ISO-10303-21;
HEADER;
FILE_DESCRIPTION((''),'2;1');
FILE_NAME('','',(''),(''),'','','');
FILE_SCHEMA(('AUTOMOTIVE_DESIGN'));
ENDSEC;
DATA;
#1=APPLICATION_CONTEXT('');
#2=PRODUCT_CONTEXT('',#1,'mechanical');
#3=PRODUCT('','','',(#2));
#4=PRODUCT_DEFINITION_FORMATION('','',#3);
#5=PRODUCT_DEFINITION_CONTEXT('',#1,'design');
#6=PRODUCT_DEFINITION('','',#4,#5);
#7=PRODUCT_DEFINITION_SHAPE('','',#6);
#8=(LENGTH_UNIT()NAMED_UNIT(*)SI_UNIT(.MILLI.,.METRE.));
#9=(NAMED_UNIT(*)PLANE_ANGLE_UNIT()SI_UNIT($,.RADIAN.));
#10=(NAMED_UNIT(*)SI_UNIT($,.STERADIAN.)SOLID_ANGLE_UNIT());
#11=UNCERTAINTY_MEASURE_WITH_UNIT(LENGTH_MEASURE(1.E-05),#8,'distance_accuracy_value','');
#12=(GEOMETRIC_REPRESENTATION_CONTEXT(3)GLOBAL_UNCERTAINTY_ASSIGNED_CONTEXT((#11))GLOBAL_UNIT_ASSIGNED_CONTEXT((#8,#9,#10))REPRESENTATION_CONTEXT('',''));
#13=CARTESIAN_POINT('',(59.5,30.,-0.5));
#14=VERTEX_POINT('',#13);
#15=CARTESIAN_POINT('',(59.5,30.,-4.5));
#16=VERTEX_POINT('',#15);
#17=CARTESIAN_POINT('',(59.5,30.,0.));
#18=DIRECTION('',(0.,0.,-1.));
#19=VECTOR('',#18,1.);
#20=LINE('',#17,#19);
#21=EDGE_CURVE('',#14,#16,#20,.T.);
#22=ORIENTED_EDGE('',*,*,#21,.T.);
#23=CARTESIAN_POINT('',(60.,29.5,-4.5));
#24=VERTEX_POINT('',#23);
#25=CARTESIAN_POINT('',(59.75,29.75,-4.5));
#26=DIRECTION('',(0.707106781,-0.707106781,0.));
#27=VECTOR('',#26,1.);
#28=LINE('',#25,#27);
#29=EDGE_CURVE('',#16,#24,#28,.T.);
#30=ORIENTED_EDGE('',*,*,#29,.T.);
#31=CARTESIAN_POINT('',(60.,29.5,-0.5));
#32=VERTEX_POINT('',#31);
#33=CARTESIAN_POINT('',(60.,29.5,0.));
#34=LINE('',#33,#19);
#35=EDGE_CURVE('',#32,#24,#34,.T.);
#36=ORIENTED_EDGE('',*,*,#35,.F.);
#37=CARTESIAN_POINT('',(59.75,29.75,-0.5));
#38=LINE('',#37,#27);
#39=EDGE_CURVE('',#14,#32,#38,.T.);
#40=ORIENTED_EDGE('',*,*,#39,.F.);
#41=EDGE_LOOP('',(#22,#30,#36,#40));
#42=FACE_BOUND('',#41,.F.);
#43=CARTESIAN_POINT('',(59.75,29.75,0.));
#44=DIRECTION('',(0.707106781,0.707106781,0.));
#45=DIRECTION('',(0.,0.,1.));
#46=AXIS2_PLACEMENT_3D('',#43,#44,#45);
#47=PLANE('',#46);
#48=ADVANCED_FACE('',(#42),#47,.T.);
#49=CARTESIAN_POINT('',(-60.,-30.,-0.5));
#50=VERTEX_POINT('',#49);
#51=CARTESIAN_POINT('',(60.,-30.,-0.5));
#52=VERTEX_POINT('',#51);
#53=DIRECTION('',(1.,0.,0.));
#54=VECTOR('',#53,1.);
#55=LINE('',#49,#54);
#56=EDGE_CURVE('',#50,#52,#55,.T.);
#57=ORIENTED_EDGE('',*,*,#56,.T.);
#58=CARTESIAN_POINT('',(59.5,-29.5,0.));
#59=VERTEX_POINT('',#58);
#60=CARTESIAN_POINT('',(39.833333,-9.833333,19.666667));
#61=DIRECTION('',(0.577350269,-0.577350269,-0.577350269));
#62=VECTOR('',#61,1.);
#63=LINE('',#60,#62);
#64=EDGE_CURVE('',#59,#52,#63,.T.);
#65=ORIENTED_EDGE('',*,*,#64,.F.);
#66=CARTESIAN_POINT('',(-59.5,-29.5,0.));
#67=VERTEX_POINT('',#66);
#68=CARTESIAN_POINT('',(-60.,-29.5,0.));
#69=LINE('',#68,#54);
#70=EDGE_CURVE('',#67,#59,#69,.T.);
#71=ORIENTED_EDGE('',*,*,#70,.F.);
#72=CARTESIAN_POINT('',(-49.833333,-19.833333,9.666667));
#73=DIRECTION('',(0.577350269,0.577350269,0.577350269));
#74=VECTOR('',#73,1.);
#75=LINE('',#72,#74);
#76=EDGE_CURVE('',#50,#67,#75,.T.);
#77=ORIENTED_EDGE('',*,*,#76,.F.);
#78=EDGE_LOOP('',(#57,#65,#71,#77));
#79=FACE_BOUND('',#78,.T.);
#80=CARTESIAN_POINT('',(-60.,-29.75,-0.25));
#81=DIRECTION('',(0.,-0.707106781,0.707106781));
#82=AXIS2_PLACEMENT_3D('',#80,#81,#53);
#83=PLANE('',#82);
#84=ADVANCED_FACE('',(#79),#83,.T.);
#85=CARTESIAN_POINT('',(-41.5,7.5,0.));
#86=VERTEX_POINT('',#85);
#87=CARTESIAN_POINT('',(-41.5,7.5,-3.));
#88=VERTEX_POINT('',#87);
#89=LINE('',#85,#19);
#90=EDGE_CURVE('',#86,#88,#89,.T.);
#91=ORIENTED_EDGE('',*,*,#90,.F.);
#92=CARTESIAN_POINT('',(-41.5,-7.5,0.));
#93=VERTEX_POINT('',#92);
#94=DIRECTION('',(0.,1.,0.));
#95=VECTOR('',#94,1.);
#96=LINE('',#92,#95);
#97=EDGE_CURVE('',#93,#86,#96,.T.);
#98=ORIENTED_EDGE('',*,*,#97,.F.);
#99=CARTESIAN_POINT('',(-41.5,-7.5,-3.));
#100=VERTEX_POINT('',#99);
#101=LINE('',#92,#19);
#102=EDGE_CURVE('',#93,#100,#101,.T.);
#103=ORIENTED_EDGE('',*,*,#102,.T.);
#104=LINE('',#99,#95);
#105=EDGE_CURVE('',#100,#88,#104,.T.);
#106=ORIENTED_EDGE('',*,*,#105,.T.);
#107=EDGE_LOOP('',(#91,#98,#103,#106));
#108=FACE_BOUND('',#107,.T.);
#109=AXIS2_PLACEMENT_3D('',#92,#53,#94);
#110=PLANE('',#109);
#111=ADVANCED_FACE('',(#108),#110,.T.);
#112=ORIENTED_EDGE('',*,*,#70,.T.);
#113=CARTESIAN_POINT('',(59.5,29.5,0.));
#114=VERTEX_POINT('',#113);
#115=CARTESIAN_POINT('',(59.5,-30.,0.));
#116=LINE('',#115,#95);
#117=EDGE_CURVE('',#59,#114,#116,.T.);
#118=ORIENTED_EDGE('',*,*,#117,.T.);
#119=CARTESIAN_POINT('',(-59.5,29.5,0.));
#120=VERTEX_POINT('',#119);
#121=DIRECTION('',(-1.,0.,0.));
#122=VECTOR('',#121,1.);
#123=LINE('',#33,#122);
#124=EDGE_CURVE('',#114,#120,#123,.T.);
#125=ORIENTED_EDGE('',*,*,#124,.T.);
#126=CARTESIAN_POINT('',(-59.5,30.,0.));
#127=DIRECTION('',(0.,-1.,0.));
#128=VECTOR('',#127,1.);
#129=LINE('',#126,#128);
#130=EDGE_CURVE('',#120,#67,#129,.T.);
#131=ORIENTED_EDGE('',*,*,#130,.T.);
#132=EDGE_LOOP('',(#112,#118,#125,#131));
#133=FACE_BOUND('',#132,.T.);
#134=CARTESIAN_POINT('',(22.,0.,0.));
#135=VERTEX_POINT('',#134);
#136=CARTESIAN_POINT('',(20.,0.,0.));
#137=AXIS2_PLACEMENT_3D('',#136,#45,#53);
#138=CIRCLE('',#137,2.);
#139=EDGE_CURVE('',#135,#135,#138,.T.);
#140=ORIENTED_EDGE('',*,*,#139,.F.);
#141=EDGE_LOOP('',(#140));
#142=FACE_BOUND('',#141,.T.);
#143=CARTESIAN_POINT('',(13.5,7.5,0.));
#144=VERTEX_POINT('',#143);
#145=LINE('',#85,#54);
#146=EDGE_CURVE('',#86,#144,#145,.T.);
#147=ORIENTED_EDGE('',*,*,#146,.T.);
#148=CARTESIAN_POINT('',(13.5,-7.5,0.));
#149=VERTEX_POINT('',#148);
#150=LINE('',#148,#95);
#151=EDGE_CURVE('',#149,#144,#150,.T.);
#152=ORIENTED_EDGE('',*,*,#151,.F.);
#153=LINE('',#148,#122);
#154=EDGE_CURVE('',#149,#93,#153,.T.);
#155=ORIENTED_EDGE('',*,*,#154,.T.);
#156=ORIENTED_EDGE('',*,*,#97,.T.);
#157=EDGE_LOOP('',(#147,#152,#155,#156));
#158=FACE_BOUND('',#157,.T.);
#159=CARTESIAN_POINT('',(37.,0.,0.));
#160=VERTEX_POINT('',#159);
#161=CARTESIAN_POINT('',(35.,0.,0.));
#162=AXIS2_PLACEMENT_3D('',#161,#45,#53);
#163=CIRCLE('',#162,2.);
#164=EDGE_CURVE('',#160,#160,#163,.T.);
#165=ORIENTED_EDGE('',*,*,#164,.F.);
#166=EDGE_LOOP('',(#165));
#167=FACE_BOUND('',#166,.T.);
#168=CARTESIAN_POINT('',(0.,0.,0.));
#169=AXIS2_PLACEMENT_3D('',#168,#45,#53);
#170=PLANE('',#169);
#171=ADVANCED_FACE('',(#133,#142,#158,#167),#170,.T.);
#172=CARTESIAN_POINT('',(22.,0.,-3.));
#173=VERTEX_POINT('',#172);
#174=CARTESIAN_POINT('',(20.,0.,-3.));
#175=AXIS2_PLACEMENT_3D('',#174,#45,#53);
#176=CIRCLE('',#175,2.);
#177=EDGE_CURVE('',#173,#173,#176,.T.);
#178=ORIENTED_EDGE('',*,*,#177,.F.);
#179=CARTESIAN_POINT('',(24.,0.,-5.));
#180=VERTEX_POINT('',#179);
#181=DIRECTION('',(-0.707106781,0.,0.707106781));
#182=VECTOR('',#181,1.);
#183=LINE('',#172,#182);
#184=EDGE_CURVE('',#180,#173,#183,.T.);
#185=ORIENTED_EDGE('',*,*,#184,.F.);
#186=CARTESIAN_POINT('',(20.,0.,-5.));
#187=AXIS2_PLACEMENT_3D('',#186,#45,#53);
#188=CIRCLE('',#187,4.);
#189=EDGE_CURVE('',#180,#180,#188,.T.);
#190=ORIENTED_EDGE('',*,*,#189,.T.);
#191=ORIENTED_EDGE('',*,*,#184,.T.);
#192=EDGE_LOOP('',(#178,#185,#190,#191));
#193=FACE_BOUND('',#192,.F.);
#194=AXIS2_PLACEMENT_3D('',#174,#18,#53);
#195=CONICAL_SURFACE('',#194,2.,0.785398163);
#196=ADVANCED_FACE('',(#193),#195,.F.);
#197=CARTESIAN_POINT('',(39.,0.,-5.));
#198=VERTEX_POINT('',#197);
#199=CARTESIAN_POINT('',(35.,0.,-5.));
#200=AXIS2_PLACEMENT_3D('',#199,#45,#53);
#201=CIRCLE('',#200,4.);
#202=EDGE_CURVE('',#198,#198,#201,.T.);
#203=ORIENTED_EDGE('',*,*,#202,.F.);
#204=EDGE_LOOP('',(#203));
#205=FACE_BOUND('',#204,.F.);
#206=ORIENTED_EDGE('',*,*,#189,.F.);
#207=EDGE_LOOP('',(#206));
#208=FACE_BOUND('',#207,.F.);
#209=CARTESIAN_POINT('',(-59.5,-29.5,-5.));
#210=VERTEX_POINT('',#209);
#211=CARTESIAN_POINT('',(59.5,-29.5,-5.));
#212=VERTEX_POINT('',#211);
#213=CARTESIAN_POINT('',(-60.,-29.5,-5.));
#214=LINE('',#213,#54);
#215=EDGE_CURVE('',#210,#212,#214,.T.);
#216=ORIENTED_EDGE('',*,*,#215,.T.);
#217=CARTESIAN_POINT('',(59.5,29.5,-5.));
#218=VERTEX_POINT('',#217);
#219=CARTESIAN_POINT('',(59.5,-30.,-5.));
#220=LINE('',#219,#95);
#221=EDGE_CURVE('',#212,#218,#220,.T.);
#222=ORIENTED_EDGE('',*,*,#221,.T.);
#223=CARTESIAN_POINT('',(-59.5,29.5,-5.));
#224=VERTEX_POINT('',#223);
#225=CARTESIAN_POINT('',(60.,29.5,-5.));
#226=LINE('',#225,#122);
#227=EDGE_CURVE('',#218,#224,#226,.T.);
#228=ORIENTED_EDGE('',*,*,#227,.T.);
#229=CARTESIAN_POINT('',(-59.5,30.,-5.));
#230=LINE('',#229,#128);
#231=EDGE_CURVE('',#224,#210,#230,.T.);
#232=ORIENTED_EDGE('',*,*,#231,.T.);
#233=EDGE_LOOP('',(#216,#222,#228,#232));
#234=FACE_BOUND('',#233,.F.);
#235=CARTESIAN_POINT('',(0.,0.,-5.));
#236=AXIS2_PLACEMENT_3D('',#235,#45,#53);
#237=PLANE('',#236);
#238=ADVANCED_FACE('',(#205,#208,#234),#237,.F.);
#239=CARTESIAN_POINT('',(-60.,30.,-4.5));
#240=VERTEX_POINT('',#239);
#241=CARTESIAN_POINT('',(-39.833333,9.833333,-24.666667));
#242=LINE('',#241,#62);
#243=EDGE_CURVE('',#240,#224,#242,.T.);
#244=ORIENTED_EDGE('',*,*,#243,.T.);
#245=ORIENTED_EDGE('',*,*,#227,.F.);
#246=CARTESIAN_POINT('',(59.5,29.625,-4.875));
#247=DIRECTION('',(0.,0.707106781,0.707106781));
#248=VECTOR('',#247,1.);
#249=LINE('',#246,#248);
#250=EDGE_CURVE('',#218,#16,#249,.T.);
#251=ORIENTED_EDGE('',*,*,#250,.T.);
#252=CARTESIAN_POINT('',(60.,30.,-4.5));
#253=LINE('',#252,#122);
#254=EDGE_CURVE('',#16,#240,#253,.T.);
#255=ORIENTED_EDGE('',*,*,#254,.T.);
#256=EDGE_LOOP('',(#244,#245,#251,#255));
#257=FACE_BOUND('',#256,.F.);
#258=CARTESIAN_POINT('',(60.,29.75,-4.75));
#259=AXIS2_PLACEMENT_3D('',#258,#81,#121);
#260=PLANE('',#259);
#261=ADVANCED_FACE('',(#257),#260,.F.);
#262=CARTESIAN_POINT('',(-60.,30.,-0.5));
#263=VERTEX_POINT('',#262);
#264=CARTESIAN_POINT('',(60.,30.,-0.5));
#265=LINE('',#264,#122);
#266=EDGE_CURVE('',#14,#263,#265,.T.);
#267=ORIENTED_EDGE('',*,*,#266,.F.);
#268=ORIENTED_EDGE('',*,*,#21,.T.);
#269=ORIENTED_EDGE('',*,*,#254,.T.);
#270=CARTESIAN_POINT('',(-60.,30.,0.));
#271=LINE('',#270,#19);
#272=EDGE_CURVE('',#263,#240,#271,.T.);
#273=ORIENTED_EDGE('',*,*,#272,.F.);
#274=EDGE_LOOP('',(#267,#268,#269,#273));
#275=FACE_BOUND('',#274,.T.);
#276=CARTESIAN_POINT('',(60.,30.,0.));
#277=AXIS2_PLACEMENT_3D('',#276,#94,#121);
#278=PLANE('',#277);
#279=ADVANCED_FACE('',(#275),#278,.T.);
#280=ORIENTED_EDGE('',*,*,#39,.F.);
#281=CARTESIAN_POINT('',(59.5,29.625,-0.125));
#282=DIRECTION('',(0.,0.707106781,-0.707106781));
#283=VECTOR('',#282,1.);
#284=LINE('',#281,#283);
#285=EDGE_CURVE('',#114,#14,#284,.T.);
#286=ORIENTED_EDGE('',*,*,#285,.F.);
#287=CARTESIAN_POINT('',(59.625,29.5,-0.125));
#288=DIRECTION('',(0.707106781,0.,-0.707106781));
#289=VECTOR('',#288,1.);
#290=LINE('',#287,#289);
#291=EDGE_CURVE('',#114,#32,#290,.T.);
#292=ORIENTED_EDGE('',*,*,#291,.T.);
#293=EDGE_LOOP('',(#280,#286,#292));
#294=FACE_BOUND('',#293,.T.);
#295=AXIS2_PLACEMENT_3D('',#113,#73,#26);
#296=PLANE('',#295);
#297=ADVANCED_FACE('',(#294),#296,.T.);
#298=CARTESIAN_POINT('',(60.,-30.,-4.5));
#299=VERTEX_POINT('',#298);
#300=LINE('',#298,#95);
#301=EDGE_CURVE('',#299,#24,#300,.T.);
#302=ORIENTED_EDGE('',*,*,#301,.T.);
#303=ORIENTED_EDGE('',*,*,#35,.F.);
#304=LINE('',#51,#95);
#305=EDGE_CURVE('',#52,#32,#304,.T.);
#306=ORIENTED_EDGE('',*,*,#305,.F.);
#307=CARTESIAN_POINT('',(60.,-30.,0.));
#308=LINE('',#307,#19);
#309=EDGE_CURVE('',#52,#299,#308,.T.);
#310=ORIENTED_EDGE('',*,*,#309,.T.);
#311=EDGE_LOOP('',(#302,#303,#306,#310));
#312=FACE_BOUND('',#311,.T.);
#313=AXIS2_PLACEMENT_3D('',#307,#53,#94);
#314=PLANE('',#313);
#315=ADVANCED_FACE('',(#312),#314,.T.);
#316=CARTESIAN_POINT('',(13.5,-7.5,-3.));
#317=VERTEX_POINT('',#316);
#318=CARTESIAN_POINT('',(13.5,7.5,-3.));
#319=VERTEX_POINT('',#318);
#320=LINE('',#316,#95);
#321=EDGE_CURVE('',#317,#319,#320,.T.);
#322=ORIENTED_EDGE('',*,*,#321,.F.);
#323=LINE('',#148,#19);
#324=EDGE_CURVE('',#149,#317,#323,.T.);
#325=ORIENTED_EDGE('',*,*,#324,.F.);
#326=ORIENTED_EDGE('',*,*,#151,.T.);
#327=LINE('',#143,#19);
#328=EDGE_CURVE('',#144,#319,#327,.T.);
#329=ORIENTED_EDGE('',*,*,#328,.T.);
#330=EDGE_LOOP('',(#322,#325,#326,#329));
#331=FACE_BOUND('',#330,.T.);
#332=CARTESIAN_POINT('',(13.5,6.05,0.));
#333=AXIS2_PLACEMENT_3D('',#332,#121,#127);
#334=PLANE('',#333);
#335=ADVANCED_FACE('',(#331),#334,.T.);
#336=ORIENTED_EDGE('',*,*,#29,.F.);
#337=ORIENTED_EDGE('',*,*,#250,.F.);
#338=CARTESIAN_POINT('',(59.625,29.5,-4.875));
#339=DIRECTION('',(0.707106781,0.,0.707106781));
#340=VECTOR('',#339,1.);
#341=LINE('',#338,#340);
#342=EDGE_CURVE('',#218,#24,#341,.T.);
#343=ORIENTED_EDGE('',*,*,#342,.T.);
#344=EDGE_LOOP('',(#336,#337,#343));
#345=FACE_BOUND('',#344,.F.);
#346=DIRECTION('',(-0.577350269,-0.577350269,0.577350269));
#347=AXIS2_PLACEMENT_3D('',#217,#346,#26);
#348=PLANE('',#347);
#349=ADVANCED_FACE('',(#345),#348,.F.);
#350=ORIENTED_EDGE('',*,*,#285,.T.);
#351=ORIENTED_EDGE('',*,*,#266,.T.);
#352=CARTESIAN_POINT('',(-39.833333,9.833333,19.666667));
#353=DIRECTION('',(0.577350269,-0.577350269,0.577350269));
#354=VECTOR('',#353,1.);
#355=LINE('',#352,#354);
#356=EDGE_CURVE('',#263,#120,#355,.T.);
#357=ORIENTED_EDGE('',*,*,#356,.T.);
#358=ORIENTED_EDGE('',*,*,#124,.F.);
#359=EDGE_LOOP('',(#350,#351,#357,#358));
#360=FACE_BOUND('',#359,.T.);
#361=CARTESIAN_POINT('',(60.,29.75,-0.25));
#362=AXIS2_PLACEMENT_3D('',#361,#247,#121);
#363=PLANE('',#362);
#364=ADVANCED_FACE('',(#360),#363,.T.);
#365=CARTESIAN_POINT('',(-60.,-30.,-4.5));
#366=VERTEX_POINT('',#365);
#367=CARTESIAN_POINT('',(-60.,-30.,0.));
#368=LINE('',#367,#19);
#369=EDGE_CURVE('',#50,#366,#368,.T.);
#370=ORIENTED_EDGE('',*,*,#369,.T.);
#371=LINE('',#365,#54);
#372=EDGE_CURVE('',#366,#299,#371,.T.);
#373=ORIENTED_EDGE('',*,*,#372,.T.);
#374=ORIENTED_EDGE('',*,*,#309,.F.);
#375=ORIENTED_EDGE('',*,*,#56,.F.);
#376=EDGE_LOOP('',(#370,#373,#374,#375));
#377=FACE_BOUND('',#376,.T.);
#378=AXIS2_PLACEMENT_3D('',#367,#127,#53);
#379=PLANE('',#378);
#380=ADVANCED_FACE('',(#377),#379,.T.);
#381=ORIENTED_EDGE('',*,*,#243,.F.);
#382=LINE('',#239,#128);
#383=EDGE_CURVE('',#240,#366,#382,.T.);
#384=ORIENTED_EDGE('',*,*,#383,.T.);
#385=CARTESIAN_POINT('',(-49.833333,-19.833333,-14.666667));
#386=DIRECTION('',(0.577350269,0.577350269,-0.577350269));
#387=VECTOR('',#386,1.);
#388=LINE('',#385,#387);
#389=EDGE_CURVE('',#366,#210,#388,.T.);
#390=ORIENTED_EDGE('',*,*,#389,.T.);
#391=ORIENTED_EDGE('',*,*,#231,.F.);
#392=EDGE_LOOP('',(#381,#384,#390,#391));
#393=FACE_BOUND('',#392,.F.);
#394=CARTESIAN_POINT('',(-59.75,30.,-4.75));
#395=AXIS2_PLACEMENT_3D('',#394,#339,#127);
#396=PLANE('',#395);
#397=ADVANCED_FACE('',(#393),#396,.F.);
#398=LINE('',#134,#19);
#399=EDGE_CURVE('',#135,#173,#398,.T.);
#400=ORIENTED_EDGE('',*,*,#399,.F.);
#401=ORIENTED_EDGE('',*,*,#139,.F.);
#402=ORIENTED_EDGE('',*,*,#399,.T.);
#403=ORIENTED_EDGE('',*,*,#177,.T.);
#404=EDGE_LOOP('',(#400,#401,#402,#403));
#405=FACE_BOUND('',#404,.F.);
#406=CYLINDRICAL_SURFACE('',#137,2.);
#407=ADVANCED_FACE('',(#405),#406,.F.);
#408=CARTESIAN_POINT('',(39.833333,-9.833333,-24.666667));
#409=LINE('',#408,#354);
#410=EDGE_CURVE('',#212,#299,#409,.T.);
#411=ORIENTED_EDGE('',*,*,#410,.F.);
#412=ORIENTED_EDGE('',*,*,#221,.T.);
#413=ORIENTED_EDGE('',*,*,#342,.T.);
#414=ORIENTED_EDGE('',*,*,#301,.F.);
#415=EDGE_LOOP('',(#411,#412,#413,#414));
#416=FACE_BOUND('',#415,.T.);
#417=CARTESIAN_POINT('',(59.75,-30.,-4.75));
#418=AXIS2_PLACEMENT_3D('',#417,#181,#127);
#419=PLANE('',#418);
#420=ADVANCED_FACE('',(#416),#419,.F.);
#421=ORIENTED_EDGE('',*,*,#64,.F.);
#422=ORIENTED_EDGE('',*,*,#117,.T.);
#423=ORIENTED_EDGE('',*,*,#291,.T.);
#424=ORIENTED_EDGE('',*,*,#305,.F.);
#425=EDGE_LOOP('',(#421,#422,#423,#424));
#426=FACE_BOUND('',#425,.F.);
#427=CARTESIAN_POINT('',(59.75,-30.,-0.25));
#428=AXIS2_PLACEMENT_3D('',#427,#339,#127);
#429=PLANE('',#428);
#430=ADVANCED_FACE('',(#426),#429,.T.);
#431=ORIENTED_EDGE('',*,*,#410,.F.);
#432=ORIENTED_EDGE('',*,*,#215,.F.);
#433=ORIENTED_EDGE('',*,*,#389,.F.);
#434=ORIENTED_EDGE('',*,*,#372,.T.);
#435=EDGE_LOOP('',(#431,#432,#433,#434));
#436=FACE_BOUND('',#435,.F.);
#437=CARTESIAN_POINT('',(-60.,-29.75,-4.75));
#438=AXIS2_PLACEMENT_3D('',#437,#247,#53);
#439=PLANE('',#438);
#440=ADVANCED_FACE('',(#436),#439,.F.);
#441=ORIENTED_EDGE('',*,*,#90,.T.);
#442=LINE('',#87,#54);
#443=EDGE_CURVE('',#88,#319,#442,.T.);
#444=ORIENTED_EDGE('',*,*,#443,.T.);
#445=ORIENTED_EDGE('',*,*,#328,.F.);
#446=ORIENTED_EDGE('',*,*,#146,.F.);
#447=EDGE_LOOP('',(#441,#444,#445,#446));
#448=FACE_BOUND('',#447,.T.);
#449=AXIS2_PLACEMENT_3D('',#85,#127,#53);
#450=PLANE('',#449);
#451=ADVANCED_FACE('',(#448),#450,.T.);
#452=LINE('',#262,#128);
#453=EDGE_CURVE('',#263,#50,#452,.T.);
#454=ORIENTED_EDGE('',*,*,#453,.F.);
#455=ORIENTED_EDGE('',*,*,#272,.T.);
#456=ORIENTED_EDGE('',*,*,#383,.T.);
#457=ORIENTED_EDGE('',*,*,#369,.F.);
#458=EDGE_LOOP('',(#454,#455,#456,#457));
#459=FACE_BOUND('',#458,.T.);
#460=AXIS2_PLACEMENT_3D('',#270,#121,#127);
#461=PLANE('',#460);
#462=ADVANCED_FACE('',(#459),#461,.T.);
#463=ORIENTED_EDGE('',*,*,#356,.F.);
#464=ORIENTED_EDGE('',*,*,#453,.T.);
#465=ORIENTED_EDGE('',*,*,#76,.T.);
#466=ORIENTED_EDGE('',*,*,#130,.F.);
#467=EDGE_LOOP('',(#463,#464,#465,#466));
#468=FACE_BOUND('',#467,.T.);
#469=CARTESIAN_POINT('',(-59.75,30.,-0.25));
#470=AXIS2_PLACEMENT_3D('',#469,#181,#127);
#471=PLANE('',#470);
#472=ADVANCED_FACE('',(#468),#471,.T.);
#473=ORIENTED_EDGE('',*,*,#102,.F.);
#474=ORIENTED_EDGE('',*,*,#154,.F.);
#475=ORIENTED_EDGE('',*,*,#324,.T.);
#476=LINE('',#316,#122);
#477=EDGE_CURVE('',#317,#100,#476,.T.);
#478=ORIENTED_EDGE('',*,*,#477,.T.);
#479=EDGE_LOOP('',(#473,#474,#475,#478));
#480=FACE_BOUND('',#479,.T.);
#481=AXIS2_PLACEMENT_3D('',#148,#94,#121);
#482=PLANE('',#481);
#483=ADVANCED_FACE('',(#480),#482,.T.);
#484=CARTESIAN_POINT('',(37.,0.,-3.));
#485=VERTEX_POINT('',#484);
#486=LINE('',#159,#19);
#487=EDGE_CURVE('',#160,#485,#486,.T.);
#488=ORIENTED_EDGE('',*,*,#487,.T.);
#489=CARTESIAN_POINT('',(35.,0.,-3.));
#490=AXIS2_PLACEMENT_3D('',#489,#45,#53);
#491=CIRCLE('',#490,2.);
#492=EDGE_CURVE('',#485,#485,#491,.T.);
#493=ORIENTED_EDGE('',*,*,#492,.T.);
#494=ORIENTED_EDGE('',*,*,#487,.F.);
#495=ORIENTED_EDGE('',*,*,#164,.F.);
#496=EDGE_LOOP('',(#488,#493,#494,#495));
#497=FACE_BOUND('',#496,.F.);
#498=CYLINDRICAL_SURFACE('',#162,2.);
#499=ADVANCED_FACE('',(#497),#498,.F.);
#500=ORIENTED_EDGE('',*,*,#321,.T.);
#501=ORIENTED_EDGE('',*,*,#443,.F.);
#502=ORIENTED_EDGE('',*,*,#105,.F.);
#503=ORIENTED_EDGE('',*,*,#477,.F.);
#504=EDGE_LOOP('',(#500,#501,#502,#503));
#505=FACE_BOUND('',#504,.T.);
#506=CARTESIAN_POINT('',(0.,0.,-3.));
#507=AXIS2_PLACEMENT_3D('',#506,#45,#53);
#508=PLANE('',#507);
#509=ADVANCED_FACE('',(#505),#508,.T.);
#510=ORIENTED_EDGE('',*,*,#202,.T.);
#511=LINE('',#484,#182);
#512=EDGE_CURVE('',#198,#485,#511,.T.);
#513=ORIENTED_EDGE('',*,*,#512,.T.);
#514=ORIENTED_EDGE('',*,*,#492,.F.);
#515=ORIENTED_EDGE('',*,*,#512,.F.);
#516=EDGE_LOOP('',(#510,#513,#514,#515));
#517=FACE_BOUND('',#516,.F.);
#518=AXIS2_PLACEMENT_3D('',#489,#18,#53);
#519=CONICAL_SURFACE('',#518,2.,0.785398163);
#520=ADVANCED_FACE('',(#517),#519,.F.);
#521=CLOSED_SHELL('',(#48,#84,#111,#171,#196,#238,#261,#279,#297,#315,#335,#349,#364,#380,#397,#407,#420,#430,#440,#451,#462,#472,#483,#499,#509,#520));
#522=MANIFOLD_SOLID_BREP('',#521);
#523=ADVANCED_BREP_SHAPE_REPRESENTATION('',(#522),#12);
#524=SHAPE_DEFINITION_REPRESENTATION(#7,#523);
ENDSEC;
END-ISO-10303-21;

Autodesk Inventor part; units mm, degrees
ref_plane "YZ Plane" through (0, 0, 0) normal (1, 0, 0) x (0, 1, 0)
ref_plane "XZ Plane" through (0, 0, 0) normal (0, 1, 0) x (-1, 0, 0)
ref_plane "XY Plane" through (0, 0, 0) normal (0, 0, 1) x (1, 0, 0)
sketch "Szkic1" plane through (0, 0, 0) normal (0, 0, 1) x (1, 0, 0)
  line L0 (-60, -30) -> (60, -30)
  line L1 (60, -30) -> (60, 30)
  line L2 (60, 30) -> (-60, 30)
  line L3 (-60, 30) -> (-60, -30)
  line L4 (-60, -30) -> (60, 30) construction
  line L5 (60, -30) -> (-60, 30) construction
  point P0 (0, 0)
  dimension "d0" = 120
  dimension "d1" = 60
extrude "Wyciągnięcie proste1" add sketch "Szkic1" against normal blind 5
sketch "Szkic2" plane through (0, 0, 0) normal (0, 0, 1) x (1, 0, 0)
  circle A0 centre (-35, 0) radius 2.5 projected
  circle A1 centre (-20, 0) radius 2.5 projected
  circle A2 centre (20, 0) radius 2 projected
  circle A3 centre (35, 0) radius 2 projected
  line L0 (-39.7, -6.05) -> (-39.7, 6.05) projected
  line L1 (39.7, -6.05) -> (-39.7, -6.05) projected
  line L2 (39.7, 6.05) -> (39.7, -6.05) projected
  line L3 (-39.7, 6.05) -> (39.7, 6.05) projected
  line L4 (-41.5, 7.5) -> (13.5, 7.5)
  line L5 (13.5, 7.5) -> (13.5, -7.5)
  line L6 (13.5, -7.5) -> (-41.5, -7.5)
  line L7 (-41.5, -7.5) -> (-41.5, 7.5)
  line L8 (-41.5, 7.5) -> (13.5, -7.5) construction
  line L9 (13.5, 7.5) -> (-41.5, -7.5) construction
  point P0 (0, 0)
  point P1 (-14, 0)
  dimension "d4" = 55
  dimension "d5" = 15
  dimension "d6" = 14
extrude "Wyciągnięcie proste2" cut sketch "Szkic2" against normal blind 3 contours A0 | A1 | L1 L5 L6 L7 L4 L3 L0 | L0 L3 L5 L1
sketch "Szkic3" plane through (0, 0, 0) normal (0, 0, 1) x (1, 0, 0)
  circle A0 centre (35, 0) radius 2 projected
  circle A1 centre (20, 0) radius 2 projected
  point P0 (0, 0)
extrude "Wyciągnięcie proste3" cut sketch "Szkic3" against normal through all
thread "Gwint1" size "M4x0.7" class "6H" standard "ANSI Metric M Profile" full length
thread "Gwint2" size "M4x0.7" class "6H" standard "ANSI Metric M Profile" full length
chamfer "Faza2" distance 0.5 angle 45 9 edges at (60, 30, -2.5) (0, 30, 0) (0, 30, -5) (60, 0, 0) (60, 0, -5) (0, -30, 0) (0, -30, -5) (-60, 0, 0) (-60, 0, -5)
chamfer "Faza3" distance 2 angle 45 2 edges at (18, 0, -5) (33, 0, -5)
properties part number "podstwa" material "MDF — płyta pilśniowa o średniej gęstości"
